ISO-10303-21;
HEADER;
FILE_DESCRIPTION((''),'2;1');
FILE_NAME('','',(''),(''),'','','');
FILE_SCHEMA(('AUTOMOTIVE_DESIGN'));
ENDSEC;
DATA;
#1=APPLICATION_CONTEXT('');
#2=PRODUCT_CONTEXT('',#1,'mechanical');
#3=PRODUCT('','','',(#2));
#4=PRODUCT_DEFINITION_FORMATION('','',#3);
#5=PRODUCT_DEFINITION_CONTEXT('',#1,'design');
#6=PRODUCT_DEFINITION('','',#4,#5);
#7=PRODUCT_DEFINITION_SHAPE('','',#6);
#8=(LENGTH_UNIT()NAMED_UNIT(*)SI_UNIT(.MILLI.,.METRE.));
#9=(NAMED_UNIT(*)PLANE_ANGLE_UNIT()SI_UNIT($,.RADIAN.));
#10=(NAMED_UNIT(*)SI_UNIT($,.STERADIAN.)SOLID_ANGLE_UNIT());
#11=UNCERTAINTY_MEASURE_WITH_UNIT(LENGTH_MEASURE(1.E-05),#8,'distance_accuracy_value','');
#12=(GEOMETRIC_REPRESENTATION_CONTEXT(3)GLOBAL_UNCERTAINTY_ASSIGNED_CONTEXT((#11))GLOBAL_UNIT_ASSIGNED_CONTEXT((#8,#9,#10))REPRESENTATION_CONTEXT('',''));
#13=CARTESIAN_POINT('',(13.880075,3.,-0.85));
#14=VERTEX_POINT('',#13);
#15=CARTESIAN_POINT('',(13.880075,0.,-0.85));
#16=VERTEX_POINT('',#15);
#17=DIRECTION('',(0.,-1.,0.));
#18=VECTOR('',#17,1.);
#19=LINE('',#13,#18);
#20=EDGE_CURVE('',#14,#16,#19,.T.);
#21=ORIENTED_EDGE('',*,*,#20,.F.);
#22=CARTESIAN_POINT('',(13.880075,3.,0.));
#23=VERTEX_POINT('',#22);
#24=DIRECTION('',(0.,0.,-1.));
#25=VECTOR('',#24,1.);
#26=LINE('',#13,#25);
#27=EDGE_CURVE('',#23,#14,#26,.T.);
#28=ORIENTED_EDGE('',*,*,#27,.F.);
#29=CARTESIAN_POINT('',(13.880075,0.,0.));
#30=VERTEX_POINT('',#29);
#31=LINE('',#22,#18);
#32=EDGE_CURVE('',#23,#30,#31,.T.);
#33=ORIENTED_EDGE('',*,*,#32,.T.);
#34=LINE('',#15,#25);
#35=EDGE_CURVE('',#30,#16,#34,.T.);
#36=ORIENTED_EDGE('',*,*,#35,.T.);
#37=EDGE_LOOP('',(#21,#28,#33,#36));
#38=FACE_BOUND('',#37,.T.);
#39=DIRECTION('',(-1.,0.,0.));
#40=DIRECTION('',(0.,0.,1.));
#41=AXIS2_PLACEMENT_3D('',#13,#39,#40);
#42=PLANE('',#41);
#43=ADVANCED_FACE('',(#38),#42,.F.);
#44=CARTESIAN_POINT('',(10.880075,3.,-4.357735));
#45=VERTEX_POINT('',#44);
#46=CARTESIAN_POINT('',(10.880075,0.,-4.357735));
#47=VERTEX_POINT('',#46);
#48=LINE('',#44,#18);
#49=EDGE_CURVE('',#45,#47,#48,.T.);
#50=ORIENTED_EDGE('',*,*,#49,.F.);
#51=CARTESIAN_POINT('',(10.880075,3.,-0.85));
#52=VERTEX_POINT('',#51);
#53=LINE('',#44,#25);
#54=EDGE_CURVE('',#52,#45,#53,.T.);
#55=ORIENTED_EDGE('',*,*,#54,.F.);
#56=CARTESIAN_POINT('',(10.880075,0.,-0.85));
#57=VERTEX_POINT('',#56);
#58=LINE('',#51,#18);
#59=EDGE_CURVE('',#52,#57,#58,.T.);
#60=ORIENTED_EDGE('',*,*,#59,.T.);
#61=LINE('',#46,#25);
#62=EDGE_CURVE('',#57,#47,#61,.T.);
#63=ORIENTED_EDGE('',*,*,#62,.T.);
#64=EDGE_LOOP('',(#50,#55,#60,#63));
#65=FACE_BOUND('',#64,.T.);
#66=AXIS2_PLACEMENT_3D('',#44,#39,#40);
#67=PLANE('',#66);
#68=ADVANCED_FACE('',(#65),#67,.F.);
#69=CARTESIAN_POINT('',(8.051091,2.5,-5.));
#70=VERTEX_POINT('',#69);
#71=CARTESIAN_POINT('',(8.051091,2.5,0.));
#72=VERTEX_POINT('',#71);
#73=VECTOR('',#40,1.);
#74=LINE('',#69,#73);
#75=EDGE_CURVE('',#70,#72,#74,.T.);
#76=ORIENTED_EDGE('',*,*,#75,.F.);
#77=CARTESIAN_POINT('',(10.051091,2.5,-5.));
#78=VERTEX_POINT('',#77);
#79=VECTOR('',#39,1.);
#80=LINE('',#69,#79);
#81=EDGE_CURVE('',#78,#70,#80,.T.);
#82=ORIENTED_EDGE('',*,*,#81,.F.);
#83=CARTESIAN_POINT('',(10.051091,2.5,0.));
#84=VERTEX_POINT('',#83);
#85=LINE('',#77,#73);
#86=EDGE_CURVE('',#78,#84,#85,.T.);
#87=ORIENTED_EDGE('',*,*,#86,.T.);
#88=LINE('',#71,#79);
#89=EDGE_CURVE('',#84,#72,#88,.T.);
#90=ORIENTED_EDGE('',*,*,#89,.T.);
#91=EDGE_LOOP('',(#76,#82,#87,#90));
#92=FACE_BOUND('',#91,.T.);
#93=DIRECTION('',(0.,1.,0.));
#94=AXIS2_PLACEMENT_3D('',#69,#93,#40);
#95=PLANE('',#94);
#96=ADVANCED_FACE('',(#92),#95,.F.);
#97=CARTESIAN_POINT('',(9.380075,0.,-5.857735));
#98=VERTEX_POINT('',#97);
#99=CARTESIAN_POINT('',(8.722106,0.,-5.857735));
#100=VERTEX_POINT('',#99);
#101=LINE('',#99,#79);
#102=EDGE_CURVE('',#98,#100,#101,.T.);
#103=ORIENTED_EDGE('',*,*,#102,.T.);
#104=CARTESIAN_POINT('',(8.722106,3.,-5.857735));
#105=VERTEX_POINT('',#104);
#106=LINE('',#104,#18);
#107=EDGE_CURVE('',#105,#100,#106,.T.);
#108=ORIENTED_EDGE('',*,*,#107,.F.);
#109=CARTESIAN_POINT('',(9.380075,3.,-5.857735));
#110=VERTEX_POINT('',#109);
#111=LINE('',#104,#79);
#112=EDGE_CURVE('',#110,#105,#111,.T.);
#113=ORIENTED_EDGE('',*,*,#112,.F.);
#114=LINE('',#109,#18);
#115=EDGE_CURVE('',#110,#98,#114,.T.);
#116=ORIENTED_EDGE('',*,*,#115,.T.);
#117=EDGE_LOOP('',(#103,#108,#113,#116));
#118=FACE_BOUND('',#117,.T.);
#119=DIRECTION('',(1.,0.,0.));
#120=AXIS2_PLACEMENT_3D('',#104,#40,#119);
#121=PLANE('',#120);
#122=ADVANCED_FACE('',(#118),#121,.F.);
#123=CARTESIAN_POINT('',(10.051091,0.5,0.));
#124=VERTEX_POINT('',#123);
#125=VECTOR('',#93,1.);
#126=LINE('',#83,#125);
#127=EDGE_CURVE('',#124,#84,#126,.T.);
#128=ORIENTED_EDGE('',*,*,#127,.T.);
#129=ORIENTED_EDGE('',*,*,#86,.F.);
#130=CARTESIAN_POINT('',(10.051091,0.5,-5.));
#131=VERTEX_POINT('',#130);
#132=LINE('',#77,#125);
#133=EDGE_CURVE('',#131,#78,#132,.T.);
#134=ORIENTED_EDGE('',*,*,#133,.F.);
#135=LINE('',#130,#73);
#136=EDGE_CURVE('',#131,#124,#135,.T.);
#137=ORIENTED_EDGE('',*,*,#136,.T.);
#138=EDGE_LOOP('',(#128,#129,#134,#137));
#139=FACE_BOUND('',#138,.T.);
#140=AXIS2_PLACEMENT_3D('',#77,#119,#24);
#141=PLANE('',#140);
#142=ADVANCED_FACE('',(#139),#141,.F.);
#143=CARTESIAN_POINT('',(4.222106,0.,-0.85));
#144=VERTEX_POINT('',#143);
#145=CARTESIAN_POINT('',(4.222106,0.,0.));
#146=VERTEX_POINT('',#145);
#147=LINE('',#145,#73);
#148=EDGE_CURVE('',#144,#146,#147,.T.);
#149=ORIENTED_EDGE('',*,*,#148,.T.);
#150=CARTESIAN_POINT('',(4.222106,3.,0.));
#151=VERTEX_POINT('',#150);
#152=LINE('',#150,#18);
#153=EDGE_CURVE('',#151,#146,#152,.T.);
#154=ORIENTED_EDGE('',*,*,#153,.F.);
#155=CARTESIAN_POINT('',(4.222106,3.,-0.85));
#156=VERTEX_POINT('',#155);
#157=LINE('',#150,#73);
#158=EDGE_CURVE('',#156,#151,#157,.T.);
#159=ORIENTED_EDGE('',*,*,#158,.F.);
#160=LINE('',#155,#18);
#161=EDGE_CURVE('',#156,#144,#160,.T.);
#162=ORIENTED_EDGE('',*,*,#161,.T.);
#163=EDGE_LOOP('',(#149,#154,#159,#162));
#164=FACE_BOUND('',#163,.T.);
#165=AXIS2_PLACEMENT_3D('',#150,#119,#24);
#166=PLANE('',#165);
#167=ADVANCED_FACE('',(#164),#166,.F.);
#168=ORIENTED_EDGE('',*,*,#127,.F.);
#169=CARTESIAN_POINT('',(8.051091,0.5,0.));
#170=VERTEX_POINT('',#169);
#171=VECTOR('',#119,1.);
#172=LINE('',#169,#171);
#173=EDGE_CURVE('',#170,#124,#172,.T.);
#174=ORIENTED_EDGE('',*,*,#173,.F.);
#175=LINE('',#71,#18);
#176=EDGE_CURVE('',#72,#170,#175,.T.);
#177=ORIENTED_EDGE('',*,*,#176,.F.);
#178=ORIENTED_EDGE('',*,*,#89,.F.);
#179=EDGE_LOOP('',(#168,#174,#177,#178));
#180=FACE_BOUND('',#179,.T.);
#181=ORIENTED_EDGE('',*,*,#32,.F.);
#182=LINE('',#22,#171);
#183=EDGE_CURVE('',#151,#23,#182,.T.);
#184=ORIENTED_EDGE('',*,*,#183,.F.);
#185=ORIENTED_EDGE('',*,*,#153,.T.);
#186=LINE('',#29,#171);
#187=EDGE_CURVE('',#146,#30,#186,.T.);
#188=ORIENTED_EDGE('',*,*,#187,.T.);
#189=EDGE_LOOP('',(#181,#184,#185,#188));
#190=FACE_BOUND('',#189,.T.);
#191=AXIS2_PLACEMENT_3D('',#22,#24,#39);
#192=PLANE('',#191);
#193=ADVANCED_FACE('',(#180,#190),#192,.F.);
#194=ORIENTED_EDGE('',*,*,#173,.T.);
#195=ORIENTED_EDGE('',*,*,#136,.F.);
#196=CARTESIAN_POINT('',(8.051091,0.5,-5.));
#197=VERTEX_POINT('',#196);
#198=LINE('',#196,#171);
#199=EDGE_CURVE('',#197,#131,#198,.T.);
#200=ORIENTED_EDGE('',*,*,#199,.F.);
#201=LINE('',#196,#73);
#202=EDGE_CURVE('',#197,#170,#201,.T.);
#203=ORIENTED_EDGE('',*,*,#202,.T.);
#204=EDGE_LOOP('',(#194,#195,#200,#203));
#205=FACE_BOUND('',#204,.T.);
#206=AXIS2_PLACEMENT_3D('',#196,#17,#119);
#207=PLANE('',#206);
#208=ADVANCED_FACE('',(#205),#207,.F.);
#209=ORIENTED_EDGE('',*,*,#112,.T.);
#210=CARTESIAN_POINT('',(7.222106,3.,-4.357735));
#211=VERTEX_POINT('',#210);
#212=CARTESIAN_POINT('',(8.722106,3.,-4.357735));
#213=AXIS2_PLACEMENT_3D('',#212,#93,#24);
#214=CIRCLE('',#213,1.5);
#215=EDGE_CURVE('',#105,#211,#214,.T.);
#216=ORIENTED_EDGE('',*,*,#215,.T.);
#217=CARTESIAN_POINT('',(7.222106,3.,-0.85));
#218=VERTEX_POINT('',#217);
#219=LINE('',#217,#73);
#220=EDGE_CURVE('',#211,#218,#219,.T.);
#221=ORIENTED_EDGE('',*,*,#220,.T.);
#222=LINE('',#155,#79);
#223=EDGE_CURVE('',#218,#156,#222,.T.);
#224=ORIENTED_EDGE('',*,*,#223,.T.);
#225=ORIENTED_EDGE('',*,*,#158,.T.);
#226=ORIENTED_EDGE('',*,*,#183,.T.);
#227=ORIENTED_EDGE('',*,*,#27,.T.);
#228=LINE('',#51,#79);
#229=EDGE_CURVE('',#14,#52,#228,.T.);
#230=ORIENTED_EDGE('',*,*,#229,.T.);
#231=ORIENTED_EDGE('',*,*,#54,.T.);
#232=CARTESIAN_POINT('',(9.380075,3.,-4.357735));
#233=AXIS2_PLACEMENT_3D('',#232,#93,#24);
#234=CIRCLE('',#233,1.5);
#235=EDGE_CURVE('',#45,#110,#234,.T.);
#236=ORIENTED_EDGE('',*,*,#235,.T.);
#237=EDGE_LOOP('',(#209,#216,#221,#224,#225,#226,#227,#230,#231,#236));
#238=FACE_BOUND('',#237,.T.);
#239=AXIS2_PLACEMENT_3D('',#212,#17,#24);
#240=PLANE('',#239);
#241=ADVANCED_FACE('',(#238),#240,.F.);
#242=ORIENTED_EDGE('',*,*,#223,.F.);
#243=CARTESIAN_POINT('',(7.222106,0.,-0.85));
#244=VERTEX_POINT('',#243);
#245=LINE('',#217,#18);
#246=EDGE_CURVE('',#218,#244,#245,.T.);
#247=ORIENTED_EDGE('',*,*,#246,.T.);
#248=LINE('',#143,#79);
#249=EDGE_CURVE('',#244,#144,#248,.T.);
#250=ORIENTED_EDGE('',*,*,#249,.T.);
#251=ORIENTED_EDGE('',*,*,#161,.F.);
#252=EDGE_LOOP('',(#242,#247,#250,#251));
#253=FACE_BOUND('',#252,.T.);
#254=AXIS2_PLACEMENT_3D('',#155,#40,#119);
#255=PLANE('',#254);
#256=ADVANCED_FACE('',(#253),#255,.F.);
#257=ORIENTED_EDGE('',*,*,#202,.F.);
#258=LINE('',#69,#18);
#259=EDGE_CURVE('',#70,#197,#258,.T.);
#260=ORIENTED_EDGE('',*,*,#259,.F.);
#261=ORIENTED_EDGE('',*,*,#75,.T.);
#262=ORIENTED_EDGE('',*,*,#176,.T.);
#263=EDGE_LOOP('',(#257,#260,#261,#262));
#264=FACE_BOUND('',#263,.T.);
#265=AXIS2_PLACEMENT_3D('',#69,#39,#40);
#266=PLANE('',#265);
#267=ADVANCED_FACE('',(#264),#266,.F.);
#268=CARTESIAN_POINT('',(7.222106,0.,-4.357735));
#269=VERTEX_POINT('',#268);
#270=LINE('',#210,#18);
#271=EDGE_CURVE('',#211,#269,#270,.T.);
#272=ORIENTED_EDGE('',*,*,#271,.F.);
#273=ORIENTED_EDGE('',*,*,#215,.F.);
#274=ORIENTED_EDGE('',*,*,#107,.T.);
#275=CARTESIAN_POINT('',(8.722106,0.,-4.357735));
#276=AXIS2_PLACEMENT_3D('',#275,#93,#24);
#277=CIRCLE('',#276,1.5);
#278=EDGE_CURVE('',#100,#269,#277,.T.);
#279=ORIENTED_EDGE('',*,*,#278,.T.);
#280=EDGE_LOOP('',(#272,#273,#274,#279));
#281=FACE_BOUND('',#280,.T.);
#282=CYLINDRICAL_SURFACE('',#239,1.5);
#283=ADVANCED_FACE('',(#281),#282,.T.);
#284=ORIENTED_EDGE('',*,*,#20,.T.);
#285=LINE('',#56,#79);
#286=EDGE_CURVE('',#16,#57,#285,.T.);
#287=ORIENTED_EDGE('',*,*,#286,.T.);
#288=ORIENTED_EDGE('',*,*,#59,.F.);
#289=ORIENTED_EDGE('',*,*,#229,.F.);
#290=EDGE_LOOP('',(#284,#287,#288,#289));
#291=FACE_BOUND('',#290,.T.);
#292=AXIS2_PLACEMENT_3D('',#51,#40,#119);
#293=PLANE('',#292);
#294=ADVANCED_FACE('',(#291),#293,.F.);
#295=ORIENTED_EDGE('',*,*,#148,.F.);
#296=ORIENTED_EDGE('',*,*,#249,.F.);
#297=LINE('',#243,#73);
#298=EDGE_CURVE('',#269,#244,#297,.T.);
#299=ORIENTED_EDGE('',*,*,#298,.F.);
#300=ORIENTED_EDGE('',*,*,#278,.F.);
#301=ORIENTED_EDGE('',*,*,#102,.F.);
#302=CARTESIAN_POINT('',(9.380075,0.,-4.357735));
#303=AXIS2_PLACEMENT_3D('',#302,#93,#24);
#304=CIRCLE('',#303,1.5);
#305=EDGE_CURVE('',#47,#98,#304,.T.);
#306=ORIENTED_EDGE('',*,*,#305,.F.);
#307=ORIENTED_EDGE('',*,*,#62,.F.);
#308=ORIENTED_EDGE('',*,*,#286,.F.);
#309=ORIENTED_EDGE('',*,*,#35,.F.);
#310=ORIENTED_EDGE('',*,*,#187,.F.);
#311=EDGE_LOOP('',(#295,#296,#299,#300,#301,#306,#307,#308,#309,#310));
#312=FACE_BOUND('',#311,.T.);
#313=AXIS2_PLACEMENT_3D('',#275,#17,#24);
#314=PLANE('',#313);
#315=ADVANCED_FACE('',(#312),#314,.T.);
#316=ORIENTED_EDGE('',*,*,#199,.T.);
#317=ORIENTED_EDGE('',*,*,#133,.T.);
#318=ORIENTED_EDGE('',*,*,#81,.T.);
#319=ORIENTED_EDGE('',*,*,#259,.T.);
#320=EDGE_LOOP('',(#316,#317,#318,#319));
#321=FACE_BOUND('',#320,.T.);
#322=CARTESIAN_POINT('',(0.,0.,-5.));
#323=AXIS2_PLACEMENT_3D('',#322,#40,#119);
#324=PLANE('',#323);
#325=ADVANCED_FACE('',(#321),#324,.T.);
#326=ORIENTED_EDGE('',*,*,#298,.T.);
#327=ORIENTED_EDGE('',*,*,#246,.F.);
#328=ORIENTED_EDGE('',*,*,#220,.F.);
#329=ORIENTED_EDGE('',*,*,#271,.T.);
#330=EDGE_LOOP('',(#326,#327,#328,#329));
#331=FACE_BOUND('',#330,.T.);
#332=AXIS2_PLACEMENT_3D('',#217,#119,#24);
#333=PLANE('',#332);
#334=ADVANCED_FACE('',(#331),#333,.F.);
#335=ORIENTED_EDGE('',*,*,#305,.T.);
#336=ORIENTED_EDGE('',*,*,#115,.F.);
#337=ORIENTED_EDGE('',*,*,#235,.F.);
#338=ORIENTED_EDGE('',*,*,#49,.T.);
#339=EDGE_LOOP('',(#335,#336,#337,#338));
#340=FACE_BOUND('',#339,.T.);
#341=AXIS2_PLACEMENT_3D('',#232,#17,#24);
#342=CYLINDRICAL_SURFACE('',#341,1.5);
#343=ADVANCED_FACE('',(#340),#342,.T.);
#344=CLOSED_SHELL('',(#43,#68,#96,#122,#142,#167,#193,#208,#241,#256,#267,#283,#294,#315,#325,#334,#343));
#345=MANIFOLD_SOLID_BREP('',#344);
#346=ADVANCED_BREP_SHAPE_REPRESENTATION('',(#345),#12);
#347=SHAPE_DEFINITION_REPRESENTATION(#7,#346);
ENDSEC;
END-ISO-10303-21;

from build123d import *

# Parameters (mm, degrees)
BOSS_EXTRUDE1_DEPTH = 3
SKETCH3_W           = 2
SKETCH3_H           = 2
CUT_EXTRUDE1_DEPTH  = 5


with BuildPart() as part:
    # Sketch1 → Boss-Extrude1 (new body)
    with BuildSketch(Plane(origin=(0, 0, 0), x_dir=(1, 0, 0), z_dir=(0, 1, 0))):
        with BuildLine():
            Line((4.222106341, 0), (4.222106341, 0.85))
            Line((4.222106341, 0.85), (7.222106341, 0.85))
            Line((7.222106341, 0.85), (7.222106341, 4.357735156))
            ThreePointArc((7.222106341, 4.357735156), (7.661446169, 5.418395328), (8.722106341, 5.857735156))
            Line((8.722106341, 5.857735156), (9.380074809, 5.857735156))
            ThreePointArc((9.380074809, 5.857735156), (10.44073498, 5.418395328), (10.880074809, 4.357735156))
            Line((10.880074809, 4.357735156), (10.880074809, 0.85))
            Line((10.880074809, 0.85), (13.880074809, 0.85))
            Line((13.880074809, 0.85), (13.880074809, 0))
            Line((13.880074809, 0), (4.222106341, 0))
        make_face()
    extrude(amount=BOSS_EXTRUDE1_DEPTH)

    # Sketch3 → Cut-Extrude1 (cut)
    with BuildSketch(Plane.XY):
        with Locations((9.051090575, 1.5)):
            Rectangle(SKETCH3_W, SKETCH3_H)
    extrude(amount=-CUT_EXTRUDE1_DEPTH, mode=Mode.SUBTRACT)


solid = part.part
